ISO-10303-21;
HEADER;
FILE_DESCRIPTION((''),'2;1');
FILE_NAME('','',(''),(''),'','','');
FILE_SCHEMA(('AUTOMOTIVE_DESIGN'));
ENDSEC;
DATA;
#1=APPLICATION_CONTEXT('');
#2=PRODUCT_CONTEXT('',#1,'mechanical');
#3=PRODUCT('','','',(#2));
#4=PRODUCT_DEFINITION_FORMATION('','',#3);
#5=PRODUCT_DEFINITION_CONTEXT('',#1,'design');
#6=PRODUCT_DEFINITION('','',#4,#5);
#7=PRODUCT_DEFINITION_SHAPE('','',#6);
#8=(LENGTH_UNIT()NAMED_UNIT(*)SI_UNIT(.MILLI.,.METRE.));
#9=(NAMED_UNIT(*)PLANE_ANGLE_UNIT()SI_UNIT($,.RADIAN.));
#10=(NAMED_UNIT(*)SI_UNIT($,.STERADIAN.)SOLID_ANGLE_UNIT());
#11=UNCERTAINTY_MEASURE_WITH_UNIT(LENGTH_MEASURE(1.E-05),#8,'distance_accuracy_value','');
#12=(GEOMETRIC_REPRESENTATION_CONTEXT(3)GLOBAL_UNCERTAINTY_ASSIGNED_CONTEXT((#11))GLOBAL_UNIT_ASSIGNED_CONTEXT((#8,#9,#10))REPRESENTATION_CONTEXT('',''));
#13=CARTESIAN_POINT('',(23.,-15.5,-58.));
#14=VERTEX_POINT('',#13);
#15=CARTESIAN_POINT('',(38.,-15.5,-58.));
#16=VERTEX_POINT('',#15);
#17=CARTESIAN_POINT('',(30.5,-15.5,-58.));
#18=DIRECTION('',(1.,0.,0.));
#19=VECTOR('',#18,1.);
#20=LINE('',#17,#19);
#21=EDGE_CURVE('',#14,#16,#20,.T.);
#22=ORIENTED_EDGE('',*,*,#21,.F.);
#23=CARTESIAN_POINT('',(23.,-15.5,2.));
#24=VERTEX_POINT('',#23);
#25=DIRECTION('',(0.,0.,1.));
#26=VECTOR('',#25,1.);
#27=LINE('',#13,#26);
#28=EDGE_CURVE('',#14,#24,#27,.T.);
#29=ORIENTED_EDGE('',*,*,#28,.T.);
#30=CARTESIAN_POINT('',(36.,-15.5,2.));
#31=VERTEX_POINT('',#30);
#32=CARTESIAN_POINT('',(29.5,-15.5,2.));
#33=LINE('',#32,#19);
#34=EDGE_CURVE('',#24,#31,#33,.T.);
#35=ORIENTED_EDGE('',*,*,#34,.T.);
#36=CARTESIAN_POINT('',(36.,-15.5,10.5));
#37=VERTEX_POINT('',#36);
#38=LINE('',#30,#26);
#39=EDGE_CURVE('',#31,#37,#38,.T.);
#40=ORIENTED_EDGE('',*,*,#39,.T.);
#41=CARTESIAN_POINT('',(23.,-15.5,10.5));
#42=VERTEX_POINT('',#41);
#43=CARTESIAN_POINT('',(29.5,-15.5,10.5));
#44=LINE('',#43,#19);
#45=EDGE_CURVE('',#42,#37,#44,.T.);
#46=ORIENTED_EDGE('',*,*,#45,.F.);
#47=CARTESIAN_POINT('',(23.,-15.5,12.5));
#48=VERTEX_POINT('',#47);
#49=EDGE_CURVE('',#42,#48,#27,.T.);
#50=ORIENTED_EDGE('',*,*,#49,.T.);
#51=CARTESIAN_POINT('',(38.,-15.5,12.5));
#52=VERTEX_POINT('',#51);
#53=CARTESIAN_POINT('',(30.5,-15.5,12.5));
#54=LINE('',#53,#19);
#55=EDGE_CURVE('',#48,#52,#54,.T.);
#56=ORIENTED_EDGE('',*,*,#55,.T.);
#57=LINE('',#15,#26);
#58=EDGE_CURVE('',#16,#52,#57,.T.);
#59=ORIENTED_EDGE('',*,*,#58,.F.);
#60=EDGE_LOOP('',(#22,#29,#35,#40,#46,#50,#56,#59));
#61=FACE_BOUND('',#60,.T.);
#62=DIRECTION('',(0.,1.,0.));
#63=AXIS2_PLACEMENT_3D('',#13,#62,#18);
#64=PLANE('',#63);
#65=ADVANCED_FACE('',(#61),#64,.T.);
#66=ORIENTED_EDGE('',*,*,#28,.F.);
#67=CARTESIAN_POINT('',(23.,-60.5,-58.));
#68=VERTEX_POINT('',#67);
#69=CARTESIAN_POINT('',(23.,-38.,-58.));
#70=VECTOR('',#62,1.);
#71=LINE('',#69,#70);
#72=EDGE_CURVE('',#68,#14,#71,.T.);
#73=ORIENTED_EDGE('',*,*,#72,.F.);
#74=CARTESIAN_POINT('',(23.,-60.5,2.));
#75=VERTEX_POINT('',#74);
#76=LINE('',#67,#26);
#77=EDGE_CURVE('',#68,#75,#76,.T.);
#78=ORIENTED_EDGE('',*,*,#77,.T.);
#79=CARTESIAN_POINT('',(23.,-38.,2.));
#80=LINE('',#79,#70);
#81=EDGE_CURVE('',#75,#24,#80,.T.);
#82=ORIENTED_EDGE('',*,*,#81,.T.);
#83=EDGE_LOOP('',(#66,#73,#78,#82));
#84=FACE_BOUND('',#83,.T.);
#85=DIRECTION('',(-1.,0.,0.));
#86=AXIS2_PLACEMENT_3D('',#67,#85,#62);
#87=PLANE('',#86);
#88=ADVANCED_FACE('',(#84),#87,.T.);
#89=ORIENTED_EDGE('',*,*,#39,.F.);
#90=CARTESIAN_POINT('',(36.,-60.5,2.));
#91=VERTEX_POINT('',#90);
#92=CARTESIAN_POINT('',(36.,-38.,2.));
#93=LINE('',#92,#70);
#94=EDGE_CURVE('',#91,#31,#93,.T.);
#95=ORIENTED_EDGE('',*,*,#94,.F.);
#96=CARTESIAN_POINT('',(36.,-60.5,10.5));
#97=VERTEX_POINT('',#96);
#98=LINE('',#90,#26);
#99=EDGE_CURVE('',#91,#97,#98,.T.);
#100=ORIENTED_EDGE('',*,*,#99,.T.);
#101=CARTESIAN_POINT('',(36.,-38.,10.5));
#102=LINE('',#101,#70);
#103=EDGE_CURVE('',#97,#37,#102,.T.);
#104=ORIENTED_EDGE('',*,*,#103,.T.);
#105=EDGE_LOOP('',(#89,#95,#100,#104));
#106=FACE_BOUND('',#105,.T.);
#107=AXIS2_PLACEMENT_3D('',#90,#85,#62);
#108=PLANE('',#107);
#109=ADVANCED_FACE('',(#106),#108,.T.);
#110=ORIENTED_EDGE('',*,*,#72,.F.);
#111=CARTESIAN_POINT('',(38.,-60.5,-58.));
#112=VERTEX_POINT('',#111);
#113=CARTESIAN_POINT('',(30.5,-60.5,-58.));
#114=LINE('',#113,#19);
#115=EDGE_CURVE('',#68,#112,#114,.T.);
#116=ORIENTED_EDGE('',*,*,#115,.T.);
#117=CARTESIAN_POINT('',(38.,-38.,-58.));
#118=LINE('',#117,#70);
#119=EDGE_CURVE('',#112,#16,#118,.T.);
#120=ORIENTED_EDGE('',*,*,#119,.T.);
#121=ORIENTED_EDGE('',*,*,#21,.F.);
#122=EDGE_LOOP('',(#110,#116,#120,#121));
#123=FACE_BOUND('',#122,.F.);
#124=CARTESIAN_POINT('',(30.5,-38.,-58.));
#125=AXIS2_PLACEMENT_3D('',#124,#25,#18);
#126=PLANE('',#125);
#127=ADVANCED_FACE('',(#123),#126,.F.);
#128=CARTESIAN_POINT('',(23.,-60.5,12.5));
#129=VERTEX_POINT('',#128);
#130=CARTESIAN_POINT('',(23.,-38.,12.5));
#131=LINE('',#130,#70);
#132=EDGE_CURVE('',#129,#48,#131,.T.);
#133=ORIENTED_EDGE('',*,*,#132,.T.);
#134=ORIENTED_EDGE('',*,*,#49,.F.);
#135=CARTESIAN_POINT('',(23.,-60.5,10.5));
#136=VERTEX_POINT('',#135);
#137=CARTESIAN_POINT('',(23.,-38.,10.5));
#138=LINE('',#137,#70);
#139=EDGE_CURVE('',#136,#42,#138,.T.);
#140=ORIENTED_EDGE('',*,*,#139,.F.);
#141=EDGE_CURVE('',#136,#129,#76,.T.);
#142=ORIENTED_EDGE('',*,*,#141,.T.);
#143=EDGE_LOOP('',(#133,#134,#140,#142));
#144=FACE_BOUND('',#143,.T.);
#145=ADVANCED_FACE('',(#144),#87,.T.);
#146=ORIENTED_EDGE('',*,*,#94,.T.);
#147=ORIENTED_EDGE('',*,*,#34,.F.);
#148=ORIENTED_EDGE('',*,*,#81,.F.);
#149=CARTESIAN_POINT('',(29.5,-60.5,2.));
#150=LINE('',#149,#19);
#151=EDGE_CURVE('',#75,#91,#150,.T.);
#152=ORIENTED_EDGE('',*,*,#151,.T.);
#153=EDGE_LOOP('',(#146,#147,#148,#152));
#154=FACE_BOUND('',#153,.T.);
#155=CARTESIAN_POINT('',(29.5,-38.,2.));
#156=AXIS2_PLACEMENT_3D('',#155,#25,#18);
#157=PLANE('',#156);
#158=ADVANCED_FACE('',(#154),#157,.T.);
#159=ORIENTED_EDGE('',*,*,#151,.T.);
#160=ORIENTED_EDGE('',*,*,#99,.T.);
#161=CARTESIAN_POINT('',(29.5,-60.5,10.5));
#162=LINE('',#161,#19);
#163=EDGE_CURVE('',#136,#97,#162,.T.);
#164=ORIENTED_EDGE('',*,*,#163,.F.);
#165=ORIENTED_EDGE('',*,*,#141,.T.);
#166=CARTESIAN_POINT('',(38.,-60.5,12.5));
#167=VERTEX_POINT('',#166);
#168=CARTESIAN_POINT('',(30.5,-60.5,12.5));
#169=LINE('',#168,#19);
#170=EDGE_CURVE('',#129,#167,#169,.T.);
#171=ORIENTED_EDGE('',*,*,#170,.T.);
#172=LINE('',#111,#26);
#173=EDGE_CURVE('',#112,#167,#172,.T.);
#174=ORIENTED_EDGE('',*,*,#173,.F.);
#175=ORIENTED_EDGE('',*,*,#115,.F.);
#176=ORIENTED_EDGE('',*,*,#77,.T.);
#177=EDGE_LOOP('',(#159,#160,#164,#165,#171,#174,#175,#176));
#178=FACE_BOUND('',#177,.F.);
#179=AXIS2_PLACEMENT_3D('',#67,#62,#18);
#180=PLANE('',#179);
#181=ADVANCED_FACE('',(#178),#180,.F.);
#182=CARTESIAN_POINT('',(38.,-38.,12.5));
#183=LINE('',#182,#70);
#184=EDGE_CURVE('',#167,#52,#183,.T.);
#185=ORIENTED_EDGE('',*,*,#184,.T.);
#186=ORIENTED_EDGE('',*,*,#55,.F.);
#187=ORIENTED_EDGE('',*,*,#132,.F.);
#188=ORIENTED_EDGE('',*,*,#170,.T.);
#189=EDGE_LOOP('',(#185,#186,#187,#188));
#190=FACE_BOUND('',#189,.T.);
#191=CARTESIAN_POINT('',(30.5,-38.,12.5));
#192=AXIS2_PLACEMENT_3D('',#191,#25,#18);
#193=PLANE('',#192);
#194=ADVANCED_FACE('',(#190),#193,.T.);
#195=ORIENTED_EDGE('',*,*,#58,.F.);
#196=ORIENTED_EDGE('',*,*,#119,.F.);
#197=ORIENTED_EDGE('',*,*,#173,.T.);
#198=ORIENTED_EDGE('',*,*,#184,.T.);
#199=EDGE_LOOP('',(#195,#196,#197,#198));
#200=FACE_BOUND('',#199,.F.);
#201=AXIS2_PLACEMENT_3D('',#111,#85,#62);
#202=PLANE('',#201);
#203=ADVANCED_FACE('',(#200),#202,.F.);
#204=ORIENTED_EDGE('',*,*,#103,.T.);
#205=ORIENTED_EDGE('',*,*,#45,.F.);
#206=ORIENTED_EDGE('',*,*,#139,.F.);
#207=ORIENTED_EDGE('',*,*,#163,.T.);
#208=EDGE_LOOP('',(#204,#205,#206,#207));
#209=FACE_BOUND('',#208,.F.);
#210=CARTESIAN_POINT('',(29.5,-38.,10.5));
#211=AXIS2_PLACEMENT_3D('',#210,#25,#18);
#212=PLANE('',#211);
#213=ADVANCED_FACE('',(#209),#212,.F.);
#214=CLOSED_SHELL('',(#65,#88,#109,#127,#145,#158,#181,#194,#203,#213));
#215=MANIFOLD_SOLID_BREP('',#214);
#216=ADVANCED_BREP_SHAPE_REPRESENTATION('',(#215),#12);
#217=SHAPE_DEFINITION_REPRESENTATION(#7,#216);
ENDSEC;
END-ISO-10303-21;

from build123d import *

# Parameters (mm, degrees)
SKETCH031_W  = 13
SKETCH031_H  = 45
PAD029_DEPTH = 8.5
SKETCH032_W  = 15
SKETCH032_H  = 45
PAD030_DEPTH = 70.5


with BuildPart() as body032:
    # Sketch031 → Pad029 (new body)
    with BuildSketch(Plane.XY):
        with Locations((-28.5, -16.5)):
            Rectangle(SKETCH031_W, SKETCH031_H)
    extrude(amount=PAD029_DEPTH)


with BuildPart() as body032_1:
    # Body032 placement: moved
    add(body032.part.moved(Location((58, -21.5, 2))))


with BuildPart() as cut031:
    # Sketch032 → Pad030 (new body)
    with BuildSketch(Plane.XY):
        with Locations((-27.5, -16.5)):
            Rectangle(SKETCH032_W, SKETCH032_H)
    extrude(amount=PAD030_DEPTH)


with BuildPart() as cut031_1:
    # Body033 placement: moved
    add(cut031.part.moved(Location((58, -21.5, -58))))

    # Cut031: cut Body032
    add(body032_1.part, mode=Mode.SUBTRACT)


solid = cut031_1.part
